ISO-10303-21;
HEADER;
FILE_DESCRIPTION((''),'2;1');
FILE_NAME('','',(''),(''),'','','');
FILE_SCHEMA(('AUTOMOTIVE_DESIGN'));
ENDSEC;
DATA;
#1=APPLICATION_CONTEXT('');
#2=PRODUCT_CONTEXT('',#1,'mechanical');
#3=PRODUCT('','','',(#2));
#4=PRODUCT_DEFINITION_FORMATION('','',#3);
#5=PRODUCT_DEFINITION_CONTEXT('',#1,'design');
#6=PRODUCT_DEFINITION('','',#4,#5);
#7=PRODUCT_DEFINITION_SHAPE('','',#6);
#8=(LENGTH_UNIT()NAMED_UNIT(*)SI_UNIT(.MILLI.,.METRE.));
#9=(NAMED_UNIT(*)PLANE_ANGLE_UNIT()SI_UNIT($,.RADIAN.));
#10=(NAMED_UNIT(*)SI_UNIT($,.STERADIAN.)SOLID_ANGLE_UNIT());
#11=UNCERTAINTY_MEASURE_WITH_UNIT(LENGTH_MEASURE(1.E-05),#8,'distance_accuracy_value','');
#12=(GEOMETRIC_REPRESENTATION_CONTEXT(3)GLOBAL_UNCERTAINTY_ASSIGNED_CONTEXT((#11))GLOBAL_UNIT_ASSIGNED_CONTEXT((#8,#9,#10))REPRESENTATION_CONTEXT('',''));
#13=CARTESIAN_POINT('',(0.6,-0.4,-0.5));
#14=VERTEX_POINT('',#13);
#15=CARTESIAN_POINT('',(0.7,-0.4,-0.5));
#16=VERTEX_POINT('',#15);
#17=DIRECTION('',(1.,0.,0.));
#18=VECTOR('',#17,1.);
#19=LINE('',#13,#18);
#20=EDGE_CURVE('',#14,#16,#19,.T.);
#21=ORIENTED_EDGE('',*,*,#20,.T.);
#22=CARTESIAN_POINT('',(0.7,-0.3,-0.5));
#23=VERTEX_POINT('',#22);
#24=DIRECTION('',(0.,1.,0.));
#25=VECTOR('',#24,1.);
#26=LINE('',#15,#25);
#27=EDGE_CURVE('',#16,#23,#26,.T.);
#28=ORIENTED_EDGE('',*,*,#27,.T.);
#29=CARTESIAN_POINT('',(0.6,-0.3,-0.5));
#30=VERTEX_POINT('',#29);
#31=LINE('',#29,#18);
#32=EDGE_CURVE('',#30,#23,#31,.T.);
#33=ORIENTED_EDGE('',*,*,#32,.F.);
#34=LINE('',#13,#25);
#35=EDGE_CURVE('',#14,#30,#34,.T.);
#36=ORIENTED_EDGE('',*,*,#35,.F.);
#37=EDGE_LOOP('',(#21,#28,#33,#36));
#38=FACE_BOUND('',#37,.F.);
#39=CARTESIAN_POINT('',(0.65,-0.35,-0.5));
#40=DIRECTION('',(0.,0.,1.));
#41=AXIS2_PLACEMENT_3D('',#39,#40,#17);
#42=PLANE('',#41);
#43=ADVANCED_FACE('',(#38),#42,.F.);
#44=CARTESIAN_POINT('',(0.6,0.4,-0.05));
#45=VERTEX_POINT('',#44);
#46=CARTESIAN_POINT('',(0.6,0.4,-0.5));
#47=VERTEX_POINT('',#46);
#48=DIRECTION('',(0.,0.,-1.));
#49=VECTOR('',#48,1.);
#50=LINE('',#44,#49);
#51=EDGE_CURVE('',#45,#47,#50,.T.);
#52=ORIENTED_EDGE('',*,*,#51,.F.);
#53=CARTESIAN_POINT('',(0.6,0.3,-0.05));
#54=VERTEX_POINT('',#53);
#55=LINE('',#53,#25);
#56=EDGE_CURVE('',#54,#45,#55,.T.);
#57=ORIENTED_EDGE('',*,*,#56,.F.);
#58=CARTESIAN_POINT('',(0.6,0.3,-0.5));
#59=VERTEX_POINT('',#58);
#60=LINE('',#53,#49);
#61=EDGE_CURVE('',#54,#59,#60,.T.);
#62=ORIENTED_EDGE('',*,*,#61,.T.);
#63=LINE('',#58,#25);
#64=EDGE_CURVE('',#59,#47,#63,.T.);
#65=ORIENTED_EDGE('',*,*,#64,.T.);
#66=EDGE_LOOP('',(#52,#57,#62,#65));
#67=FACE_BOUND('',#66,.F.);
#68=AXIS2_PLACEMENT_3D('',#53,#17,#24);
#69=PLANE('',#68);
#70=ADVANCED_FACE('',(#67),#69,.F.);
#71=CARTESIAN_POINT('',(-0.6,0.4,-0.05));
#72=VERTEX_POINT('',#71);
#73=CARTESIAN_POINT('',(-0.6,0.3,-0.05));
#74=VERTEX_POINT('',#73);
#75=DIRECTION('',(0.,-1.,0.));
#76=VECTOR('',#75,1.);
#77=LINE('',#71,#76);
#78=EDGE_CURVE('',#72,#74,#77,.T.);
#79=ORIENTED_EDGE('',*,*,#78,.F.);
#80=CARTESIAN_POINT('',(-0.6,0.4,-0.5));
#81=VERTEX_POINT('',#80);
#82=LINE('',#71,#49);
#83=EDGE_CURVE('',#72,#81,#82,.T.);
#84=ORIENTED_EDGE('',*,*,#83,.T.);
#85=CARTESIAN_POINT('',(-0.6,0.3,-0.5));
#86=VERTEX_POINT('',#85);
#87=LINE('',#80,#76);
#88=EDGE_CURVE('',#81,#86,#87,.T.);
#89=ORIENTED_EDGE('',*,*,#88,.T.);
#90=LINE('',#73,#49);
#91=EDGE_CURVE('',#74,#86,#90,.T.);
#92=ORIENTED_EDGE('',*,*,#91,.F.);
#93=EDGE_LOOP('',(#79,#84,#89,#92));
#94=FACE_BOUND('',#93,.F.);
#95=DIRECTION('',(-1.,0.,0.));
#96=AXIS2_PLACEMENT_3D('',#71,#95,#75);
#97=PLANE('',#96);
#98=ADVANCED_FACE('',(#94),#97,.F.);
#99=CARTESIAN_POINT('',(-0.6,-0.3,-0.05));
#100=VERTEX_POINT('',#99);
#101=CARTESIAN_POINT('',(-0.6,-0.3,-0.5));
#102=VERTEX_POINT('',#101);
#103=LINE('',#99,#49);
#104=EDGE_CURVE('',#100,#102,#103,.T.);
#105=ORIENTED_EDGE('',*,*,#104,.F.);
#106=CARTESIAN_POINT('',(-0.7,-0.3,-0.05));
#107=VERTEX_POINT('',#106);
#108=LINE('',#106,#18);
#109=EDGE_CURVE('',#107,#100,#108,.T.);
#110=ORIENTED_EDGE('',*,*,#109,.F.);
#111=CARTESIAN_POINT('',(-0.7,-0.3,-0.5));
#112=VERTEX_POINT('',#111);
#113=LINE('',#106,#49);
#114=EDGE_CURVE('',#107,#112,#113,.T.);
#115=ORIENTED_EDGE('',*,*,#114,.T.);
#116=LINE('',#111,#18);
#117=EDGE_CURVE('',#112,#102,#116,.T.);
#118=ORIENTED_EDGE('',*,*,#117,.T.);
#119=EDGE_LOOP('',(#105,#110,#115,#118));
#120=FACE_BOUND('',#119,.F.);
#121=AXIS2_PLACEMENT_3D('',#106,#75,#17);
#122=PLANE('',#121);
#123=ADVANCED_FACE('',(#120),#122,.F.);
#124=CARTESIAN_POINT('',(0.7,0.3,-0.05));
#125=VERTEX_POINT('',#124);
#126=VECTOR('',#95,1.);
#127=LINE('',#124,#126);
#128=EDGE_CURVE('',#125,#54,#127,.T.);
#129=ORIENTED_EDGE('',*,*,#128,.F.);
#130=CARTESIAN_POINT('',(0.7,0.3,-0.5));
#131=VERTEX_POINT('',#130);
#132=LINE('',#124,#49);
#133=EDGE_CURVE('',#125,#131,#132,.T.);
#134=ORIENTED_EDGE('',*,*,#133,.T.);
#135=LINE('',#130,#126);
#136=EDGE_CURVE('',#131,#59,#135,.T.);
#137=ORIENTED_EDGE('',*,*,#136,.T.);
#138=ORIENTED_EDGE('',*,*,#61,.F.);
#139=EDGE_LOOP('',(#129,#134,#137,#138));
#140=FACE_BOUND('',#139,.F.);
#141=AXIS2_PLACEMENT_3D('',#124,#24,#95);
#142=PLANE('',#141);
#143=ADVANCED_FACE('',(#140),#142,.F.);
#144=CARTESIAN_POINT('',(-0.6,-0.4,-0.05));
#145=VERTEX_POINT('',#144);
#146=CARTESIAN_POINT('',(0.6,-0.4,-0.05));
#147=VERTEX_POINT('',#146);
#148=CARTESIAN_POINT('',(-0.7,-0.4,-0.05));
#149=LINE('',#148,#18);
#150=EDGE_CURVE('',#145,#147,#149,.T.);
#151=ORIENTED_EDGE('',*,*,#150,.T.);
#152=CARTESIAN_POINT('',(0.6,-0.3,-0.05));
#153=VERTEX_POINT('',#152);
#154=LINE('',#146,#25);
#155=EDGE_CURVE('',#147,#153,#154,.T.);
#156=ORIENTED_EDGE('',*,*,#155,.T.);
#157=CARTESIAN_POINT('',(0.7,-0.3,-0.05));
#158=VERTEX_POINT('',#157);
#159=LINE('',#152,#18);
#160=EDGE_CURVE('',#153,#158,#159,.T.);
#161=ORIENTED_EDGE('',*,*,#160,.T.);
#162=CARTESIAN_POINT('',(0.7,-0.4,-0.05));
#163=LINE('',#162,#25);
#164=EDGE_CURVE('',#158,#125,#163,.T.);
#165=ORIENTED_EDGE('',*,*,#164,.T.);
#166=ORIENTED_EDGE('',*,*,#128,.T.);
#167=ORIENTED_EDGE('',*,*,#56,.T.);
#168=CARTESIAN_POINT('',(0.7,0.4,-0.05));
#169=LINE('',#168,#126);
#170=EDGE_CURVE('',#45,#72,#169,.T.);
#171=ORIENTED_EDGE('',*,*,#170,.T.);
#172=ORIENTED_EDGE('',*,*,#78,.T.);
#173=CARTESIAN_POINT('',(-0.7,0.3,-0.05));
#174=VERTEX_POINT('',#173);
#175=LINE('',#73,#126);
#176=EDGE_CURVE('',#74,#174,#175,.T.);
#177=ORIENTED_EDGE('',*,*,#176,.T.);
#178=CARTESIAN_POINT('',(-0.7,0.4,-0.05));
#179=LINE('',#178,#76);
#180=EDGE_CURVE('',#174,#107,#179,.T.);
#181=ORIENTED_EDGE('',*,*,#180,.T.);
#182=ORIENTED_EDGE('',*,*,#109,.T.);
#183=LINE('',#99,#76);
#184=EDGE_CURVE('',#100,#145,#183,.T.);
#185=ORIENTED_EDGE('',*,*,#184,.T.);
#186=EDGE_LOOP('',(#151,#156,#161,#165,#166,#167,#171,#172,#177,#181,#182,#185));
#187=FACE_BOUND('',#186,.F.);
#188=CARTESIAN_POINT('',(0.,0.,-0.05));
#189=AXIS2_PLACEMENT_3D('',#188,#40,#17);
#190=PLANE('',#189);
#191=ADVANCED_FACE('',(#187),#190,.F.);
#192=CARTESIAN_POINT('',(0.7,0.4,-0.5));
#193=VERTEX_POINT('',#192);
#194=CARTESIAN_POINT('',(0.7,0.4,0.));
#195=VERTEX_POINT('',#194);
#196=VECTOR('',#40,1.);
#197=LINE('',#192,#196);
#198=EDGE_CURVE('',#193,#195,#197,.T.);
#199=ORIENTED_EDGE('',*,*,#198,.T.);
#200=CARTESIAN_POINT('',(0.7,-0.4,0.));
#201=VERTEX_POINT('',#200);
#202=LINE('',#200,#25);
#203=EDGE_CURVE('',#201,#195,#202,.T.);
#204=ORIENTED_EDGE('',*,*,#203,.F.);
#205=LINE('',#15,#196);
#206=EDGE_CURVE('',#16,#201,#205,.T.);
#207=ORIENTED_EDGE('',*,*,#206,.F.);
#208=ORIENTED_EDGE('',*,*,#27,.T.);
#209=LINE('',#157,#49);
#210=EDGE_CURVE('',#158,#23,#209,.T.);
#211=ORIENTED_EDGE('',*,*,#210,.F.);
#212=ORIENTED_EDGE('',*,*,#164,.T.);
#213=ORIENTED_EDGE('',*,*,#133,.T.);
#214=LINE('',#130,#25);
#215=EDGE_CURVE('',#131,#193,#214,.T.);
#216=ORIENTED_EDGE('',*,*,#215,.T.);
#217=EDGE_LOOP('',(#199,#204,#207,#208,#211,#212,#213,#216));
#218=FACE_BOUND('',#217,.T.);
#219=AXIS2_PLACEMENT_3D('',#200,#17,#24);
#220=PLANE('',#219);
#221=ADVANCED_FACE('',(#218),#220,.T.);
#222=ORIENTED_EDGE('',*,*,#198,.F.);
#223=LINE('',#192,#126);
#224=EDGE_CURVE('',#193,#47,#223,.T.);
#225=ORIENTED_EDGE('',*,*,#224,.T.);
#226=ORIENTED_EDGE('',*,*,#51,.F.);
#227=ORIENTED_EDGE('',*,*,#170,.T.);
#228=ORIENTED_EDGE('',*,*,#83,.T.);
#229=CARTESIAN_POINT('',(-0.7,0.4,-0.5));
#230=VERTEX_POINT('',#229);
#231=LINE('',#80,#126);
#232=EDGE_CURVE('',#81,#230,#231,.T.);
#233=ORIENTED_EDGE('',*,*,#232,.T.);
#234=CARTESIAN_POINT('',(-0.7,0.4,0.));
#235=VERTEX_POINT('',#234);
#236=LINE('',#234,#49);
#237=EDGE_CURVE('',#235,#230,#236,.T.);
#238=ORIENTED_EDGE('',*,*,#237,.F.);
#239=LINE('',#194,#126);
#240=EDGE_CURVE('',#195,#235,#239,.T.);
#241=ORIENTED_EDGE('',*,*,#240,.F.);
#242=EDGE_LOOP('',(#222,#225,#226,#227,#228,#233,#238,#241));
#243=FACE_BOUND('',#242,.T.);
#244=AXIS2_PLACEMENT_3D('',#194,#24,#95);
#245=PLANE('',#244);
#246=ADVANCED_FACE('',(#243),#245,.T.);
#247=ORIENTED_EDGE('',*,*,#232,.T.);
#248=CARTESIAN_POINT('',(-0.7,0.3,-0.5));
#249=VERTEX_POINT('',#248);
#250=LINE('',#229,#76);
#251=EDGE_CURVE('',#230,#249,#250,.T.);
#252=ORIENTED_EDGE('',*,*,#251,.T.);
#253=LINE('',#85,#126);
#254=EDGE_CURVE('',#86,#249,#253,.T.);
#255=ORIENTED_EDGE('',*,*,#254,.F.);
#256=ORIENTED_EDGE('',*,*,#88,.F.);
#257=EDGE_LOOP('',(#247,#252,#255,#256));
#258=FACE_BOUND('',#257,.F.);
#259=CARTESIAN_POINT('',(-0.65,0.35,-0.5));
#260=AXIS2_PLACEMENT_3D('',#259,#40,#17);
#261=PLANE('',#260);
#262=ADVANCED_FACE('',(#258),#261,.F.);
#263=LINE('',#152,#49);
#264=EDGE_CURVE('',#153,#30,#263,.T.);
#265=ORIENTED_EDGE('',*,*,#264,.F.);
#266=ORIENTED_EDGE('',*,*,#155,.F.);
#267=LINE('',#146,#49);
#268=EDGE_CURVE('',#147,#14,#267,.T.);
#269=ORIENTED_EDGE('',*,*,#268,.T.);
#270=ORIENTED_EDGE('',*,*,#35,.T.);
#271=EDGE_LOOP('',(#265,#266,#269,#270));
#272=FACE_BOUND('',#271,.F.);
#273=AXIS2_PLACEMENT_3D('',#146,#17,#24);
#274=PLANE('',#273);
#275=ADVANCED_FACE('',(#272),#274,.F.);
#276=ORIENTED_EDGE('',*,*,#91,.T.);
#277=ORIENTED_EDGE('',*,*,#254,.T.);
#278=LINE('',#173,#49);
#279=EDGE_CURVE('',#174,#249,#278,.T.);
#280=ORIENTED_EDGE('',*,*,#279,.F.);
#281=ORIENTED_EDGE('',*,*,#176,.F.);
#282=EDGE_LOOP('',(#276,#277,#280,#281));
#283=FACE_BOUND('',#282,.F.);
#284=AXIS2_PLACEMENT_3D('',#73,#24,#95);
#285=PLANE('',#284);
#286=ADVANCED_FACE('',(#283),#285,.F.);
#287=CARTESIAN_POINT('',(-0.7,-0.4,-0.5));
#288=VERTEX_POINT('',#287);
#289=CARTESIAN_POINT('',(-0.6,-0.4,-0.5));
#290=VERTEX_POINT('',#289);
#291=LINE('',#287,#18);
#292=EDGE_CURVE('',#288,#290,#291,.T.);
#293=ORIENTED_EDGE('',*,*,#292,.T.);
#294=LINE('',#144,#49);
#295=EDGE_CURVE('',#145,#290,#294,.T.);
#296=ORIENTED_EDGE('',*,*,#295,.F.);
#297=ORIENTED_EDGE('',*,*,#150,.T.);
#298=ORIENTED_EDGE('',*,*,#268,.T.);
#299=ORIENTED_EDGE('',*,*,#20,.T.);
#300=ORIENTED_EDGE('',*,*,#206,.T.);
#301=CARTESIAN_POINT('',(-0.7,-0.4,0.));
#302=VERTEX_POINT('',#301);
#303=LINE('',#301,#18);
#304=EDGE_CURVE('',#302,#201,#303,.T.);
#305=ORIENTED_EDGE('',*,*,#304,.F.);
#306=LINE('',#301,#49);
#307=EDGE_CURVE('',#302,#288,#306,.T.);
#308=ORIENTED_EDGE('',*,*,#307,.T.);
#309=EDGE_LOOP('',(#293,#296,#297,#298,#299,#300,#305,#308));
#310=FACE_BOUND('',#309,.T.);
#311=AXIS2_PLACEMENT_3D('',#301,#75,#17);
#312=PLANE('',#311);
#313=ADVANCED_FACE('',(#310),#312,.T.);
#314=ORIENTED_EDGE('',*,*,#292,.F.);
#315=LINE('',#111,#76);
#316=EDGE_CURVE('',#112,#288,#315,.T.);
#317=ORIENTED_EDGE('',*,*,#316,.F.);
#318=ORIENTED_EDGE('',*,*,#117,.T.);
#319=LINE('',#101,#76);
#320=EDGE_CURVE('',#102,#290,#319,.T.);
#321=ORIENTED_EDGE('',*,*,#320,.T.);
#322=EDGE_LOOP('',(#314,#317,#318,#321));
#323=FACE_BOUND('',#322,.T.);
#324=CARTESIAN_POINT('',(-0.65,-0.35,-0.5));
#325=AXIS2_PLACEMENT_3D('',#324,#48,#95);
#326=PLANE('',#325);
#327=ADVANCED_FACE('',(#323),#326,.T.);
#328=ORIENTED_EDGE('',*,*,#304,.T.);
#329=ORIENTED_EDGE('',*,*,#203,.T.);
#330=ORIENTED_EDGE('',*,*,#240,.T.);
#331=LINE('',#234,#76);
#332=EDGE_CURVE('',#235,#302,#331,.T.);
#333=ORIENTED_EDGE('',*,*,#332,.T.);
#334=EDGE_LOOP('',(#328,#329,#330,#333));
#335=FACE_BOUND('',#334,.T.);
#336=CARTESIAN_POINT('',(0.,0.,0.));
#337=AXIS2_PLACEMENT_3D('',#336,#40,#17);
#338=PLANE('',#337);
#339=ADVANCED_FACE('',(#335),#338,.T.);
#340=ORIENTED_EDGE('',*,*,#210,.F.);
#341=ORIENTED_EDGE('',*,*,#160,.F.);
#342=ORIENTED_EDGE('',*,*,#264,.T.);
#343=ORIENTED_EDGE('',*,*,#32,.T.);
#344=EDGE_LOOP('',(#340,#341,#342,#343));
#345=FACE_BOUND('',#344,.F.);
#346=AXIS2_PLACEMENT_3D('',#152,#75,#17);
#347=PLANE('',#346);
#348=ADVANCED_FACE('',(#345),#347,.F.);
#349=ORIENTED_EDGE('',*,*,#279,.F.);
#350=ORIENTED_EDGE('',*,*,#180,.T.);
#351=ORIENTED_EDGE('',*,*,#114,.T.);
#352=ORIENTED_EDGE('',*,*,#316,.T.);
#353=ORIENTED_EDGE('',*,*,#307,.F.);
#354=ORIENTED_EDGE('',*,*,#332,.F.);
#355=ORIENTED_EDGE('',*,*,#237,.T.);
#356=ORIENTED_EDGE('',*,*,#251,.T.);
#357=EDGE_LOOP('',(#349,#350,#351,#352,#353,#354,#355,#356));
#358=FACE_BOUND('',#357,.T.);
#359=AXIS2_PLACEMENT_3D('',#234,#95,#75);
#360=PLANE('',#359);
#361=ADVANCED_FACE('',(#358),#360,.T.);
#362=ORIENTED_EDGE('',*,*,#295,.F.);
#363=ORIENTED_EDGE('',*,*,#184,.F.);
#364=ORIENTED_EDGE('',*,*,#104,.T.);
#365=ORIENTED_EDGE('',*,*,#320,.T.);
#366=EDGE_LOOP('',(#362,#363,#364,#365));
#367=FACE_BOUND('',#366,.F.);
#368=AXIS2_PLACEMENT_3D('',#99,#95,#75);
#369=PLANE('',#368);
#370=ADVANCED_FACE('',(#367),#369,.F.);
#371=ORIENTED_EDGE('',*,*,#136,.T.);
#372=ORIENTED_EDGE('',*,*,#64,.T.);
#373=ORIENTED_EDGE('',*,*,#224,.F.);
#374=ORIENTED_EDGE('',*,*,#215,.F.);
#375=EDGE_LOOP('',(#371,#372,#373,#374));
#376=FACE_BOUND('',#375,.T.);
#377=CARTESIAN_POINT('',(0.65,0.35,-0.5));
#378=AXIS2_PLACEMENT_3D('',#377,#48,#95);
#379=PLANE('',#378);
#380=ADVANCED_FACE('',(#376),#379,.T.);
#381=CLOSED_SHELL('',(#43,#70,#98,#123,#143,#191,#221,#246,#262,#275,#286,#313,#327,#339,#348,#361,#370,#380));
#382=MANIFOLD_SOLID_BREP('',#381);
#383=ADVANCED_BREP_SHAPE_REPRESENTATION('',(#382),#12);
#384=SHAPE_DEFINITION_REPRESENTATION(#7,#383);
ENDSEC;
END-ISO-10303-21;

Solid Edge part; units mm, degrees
sketch "Sketch1" plane through (0, 0, 0) normal (0, 0, 1) x (1, 0, 0)
  line L0 (-0.7, -0.4) -> (0.7, -0.4)
  line L1 (0.7, -0.4) -> (0.7, 0.4)
  line L2 (0.7, 0.4) -> (-0.7, 0.4)
  line L3 (-0.7, 0.4) -> (-0.7, -0.4)
  dimension "D1" = 1.4
  dimension "D2" = 0.8
extrude "Protrusion1" add sketch "Sketch1" against normal blind 0.05
sketch "Sketch2" plane through (0, 0, -0.05) normal (0, 0, -1) x (1, 0, 0)
  line L0 (-0.7, -0.4) -> (-0.7, -0.3)
  line L1 (-0.6, -0.3) -> (-0.7, -0.3)
  line L2 (-0.6, -0.4) -> (-0.6, -0.3)
  line L3 (-0.6, -0.4) -> (-0.7, -0.4)
  line L4 (-0.6, 0.3) -> (-0.6, 0.4)
  line L5 (-0.7, 0.4) -> (-0.6, 0.4)
  line L6 (-0.7, 0.3) -> (-0.7, 0.4)
  line L7 (-0.7, 0.3) -> (-0.6, 0.3)
  line L8 (0.6, -0.3) -> (0.6, -0.4)
  line L9 (0.7, -0.4) -> (0.6, -0.4)
  line L10 (0.7, -0.3) -> (0.7, -0.4)
  line L11 (0.7, -0.3) -> (0.6, -0.3)
  line L12 (0.6, 0.4) -> (0.7, 0.4)
  line L13 (0.7, 0.4) -> (0.7, 0.3)
  line L14 (0.6, 0.3) -> (0.7, 0.3)
  line L15 (0.6, 0.4) -> (0.6, 0.3)
extrude "Ausprägung_2" add sketch "Sketch2" along normal blind 0.45
